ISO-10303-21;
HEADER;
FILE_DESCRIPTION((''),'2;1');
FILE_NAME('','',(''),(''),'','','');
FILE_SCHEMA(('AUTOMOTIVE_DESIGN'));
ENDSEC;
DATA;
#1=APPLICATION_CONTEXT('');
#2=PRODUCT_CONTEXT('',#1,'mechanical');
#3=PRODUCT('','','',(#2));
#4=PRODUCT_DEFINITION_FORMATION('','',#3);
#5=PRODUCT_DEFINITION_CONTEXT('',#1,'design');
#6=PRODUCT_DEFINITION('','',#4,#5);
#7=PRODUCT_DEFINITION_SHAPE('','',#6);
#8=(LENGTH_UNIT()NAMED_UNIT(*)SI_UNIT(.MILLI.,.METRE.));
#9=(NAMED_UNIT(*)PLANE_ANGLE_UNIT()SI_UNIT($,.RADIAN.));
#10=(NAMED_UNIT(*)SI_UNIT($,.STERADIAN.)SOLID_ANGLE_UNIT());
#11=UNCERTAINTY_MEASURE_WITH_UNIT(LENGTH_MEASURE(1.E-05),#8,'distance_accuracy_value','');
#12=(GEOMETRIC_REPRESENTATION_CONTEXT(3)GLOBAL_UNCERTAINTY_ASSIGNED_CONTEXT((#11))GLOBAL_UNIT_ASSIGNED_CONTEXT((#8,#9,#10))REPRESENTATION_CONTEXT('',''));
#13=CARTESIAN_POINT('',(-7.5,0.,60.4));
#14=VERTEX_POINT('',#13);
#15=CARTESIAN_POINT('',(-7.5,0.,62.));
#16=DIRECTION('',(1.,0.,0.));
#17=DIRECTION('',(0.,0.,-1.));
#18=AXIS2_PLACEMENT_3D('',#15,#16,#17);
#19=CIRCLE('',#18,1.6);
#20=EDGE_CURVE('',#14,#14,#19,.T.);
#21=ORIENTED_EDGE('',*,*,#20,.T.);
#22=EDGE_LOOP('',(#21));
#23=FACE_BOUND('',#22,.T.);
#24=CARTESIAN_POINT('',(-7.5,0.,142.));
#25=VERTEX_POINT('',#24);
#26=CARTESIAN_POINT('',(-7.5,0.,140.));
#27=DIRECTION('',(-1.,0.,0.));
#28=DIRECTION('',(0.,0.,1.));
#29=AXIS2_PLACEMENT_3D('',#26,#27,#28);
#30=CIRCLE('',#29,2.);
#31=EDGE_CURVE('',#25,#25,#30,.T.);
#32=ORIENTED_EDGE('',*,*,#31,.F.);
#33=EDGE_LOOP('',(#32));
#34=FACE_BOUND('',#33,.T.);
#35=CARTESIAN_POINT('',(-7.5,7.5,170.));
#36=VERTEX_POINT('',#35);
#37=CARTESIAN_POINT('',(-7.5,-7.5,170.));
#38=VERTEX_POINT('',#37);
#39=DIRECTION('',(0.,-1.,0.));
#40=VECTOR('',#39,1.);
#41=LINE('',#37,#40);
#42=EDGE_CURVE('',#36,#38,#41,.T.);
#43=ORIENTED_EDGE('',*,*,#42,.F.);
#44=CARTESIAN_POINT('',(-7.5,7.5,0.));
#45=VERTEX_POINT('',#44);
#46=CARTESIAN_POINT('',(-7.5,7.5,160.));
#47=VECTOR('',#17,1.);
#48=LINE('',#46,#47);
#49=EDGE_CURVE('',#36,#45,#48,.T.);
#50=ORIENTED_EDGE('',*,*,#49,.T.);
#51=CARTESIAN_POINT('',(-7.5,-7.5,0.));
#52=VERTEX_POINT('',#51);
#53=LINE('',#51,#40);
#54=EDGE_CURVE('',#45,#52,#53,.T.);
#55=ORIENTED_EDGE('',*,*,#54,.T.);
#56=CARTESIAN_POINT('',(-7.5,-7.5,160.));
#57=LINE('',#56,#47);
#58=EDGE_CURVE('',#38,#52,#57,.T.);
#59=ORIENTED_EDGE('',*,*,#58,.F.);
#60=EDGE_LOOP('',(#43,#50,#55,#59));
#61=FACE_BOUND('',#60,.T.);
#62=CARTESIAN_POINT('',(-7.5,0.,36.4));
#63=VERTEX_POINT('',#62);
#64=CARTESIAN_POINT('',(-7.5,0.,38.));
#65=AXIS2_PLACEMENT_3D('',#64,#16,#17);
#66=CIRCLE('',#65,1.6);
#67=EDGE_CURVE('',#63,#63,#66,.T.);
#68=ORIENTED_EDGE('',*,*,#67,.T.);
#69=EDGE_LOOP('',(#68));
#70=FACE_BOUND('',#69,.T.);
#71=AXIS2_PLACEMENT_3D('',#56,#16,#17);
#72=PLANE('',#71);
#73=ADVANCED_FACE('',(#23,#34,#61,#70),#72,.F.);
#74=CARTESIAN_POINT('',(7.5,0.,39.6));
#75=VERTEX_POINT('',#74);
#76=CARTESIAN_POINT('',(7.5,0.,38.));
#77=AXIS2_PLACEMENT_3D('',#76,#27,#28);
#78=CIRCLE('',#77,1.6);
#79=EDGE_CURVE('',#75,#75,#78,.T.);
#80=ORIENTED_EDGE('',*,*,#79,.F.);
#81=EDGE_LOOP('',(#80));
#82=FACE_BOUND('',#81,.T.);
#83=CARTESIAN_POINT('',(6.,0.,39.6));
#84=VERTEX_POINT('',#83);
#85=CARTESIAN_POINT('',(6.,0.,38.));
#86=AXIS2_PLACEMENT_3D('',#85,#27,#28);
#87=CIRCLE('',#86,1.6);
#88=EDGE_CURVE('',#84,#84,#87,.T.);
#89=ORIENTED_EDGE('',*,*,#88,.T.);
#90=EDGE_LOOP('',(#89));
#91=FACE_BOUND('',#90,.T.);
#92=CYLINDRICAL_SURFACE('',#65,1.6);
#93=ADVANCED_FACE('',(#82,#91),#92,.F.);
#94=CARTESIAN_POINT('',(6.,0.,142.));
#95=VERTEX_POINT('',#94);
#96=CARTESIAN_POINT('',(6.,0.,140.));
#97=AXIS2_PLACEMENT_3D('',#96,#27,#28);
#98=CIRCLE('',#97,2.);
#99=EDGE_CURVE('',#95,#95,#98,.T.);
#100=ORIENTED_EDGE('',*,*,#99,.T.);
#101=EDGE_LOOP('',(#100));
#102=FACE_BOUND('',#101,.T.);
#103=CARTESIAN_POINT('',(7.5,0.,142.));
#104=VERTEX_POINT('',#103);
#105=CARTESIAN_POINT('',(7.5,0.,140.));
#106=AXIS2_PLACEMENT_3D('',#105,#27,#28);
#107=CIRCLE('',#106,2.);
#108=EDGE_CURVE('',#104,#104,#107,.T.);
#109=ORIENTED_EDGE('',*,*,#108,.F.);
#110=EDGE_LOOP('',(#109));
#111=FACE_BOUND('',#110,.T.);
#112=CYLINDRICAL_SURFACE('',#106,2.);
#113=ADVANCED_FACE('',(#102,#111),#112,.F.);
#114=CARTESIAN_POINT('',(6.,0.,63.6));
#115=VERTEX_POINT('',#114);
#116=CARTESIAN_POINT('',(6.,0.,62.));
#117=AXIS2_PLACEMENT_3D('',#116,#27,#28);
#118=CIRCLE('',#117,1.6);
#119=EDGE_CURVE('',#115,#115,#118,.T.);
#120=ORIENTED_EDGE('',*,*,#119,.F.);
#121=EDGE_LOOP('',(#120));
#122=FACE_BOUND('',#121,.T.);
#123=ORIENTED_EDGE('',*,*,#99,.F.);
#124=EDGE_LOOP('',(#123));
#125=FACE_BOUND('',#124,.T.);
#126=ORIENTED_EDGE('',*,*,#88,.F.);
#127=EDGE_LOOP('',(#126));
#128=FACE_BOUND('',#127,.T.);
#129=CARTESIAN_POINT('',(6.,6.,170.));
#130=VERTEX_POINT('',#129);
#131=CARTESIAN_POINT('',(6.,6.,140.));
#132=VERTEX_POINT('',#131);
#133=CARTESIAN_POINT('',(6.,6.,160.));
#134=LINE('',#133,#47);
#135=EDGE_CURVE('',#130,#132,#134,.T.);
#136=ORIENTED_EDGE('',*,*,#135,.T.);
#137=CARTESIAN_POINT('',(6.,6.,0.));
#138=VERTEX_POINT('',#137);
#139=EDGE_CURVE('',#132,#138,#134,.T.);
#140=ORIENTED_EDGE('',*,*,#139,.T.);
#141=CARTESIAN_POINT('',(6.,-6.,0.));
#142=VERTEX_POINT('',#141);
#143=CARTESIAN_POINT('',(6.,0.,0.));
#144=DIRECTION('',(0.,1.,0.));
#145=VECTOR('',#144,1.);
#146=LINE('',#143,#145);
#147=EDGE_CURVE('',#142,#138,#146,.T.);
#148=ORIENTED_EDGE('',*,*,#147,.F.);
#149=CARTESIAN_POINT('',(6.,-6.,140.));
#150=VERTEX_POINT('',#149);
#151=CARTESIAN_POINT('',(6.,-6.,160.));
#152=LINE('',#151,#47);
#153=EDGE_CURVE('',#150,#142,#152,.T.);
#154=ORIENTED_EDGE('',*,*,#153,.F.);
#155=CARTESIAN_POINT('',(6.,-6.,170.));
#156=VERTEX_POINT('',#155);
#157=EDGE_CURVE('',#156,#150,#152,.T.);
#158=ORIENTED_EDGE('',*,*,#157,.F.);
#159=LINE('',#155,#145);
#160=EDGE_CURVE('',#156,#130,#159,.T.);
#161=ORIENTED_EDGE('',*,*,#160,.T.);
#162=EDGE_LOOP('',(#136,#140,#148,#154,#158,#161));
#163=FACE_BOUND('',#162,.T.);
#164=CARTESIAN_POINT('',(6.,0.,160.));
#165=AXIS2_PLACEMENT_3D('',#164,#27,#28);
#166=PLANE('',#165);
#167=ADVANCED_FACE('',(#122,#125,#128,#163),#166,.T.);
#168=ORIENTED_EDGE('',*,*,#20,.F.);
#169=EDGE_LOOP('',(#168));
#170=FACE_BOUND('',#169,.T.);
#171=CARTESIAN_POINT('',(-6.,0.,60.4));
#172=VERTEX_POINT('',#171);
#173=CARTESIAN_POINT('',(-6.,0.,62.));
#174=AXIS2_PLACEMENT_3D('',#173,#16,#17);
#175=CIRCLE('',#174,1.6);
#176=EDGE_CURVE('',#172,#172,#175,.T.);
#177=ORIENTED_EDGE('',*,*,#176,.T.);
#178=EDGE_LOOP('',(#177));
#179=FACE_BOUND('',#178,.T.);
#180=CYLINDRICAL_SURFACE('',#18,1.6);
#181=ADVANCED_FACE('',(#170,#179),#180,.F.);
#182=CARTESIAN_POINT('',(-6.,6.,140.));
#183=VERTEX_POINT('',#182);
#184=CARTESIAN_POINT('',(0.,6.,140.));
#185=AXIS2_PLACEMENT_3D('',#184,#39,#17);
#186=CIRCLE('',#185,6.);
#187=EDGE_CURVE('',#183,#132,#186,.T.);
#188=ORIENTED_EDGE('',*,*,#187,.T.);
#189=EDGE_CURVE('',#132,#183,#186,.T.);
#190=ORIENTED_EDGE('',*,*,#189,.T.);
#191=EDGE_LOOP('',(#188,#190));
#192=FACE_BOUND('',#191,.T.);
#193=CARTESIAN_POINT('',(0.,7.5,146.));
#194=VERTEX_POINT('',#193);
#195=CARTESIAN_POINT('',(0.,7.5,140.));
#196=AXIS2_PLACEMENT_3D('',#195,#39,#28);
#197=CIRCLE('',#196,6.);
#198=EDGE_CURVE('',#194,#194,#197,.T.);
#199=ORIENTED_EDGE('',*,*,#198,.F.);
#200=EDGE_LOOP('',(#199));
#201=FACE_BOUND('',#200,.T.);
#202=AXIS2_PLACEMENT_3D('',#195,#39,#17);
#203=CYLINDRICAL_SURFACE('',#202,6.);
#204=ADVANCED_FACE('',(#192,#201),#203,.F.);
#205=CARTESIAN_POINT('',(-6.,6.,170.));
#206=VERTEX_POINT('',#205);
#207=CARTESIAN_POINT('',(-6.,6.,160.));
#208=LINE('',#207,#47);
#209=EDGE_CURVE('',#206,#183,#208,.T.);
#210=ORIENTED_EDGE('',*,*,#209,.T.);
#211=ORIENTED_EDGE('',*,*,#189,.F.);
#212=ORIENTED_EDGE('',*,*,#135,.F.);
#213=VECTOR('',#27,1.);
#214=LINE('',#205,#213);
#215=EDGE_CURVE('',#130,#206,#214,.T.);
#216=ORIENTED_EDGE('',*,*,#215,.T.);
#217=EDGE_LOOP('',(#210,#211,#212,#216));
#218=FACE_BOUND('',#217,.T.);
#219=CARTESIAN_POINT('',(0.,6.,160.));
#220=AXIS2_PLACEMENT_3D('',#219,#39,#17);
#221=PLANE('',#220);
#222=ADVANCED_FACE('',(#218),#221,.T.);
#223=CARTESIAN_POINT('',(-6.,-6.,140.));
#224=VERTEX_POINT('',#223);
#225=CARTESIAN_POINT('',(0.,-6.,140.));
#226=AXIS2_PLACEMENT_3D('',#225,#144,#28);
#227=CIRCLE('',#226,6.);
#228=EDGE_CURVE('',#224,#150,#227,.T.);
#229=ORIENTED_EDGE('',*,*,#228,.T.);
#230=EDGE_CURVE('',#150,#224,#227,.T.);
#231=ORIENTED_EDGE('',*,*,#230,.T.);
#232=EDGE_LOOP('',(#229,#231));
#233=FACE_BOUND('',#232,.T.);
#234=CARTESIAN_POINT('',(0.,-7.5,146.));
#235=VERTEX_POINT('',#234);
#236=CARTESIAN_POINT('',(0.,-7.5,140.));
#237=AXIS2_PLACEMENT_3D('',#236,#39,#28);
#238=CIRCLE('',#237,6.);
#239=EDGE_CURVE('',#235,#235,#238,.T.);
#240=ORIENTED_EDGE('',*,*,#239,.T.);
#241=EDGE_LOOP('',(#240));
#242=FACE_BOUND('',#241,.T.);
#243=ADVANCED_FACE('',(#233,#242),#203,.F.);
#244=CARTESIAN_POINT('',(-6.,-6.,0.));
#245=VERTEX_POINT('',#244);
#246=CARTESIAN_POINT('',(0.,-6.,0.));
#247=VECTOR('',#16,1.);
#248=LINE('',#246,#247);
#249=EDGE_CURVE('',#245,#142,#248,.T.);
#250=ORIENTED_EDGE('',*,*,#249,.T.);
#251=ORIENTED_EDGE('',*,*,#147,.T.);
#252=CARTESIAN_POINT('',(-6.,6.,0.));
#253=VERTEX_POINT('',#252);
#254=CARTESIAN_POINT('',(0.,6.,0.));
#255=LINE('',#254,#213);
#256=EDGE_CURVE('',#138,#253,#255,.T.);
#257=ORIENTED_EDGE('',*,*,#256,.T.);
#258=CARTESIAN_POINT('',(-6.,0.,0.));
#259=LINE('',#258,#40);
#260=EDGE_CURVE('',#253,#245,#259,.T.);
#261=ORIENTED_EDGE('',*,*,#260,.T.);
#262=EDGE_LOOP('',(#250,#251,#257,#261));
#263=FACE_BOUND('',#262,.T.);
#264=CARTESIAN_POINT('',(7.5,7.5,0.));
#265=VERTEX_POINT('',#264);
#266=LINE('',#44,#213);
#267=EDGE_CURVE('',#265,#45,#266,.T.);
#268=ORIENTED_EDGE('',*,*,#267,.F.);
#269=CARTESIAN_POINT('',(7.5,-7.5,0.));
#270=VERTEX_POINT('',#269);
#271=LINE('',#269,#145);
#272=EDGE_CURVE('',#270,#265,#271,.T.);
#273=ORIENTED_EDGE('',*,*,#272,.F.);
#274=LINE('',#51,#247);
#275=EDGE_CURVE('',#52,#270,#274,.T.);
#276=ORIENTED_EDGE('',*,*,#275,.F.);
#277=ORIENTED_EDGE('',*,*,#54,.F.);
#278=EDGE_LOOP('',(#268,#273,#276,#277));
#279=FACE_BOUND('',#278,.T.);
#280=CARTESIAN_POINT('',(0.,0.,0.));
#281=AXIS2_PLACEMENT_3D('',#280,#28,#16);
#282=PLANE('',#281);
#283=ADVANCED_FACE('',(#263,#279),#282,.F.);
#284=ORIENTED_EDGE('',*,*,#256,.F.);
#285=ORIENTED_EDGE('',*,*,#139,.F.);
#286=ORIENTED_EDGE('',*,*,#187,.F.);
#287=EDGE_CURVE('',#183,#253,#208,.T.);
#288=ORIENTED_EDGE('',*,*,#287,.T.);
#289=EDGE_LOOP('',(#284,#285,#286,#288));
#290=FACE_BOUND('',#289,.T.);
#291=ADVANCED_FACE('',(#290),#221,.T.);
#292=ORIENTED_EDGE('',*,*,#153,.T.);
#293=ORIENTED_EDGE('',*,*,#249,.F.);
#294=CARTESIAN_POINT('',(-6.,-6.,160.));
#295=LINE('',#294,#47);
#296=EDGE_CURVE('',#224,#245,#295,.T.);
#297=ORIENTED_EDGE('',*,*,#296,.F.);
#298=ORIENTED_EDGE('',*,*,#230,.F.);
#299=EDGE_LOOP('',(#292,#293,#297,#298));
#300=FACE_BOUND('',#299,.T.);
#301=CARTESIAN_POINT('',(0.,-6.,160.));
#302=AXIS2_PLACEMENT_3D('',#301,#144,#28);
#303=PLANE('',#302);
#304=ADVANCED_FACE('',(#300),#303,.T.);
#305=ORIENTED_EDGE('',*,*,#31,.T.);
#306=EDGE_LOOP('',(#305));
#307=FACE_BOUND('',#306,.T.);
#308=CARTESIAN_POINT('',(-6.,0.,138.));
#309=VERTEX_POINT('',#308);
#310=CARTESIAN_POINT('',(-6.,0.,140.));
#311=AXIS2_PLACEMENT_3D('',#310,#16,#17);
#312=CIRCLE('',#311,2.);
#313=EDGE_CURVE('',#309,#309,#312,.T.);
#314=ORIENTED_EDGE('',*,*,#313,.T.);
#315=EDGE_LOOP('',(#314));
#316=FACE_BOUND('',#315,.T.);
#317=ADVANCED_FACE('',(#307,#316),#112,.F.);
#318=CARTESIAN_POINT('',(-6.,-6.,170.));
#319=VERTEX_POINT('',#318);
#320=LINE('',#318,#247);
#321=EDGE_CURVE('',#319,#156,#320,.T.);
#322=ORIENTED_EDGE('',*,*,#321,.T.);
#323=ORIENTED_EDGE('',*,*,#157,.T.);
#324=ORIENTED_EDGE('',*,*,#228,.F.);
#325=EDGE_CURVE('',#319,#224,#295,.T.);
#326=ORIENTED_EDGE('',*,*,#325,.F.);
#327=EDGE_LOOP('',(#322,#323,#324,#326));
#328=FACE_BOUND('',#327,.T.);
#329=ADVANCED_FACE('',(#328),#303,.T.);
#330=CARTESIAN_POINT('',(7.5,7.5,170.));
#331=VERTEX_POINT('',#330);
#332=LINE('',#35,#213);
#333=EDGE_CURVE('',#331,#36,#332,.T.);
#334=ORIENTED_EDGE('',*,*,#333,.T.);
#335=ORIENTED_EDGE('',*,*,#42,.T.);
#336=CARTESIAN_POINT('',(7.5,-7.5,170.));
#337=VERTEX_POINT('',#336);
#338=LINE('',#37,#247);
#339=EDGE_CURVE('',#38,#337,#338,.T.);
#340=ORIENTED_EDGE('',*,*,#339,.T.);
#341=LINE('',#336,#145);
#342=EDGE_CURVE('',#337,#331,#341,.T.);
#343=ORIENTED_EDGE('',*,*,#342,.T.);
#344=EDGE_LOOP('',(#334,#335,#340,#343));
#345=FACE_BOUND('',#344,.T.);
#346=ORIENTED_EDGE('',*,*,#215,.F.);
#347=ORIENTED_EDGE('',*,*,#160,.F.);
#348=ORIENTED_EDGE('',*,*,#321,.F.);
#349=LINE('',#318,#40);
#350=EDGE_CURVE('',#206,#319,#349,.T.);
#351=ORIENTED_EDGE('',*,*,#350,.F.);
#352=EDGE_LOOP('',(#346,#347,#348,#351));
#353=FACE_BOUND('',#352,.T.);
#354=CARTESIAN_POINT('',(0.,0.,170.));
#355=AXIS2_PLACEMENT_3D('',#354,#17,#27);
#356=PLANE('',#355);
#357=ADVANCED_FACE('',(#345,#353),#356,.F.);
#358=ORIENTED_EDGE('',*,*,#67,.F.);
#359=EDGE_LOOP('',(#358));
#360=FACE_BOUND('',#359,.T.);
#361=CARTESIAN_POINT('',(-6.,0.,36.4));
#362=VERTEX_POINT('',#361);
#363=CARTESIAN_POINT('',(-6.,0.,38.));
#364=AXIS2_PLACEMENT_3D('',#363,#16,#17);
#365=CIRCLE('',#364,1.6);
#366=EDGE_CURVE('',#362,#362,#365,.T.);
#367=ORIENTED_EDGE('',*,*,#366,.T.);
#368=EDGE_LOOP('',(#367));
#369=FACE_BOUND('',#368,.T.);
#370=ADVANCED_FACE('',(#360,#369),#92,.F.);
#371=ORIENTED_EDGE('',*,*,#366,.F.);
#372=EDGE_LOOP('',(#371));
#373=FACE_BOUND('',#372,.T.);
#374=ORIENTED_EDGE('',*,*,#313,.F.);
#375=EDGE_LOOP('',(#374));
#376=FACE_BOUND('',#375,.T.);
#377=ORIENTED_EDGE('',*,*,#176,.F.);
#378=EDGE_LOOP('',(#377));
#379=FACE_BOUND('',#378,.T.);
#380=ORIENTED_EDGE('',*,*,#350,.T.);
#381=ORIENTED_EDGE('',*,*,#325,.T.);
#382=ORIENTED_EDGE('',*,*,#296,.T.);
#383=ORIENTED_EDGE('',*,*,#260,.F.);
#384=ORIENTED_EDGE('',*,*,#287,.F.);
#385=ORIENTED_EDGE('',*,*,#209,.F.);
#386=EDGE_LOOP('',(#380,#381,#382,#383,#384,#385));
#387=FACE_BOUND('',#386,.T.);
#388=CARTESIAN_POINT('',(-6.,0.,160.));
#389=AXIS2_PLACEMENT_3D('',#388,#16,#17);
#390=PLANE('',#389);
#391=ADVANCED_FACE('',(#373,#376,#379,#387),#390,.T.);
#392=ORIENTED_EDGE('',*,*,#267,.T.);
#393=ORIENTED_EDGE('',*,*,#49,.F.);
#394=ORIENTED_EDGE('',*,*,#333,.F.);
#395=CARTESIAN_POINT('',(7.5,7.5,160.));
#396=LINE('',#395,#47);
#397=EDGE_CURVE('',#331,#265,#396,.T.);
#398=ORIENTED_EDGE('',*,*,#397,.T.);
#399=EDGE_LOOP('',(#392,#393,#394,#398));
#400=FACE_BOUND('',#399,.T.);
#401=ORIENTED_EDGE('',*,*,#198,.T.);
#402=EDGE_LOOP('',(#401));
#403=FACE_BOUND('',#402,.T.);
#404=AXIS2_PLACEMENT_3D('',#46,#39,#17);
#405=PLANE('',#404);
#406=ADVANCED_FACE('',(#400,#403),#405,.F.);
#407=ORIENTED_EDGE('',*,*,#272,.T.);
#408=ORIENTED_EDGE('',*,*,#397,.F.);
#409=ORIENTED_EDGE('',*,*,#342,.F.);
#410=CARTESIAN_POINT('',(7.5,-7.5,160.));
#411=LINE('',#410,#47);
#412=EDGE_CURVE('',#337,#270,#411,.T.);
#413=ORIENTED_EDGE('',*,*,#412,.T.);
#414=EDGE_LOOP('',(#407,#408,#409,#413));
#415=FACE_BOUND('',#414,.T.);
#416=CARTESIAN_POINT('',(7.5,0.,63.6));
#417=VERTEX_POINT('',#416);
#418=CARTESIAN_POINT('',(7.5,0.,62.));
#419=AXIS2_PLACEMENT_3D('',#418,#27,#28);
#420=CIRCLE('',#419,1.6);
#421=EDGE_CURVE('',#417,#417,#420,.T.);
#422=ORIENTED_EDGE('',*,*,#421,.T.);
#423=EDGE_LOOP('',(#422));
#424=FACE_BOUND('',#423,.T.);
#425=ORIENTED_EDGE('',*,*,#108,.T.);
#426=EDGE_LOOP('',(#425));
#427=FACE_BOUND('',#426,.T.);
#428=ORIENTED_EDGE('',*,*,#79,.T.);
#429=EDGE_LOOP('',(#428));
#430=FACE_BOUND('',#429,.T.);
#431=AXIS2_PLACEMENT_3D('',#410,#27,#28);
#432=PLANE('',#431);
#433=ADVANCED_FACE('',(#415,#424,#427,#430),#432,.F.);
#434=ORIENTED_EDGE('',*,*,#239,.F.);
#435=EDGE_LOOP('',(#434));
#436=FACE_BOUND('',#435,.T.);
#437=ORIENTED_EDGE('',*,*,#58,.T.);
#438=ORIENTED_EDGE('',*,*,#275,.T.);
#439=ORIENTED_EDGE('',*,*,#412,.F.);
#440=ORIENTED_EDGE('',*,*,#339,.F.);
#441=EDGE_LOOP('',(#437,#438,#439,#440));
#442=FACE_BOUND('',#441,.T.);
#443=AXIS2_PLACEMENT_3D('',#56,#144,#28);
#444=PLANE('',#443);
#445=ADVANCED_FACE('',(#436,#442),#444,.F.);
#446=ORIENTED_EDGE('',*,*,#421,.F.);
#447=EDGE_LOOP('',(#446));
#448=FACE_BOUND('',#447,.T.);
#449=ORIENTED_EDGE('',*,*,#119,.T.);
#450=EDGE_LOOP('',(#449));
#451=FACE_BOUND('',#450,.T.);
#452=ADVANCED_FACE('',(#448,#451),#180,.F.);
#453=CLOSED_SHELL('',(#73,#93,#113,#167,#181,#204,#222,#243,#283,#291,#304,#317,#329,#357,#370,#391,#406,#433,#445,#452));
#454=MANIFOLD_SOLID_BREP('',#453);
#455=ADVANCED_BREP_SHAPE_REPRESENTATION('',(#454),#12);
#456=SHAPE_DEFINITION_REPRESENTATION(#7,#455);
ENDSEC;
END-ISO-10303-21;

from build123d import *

# Parameters (mm, degrees)
SKETCH_1_W               = 15
SKETCH_1_H               = 15
SKETCH_1_W_2             = 12
SKETCH_1_H_2             = 12
EXTRUDE_1_DEPTH          = 160
SKETCH_3_R               = 6
CUT_EXTRUDE_3_DEPTH      = 161.876505432
SKETCH_7_R               = 2
CUT_EXTRUDE_4_DEPTH      = 161.876505432
CUT_EXTRUDE_5_DEPTH      = 161.876505432
CUT_EXTRUDE_5_DEPTH_BACK = 161.876505432
SKETCH_12_R              = 1.6
SKETCH_13_W              = 15
SKETCH_13_H              = 15
SKETCH_13_W_2            = 12
SKETCH_13_H_2            = 12
EXTRUDE_1_2_DEPTH        = 10


with BuildPart() as part:
    # ｽｹｯﾁ1 → Extrude 1 (new body)
    with BuildSketch(Plane.XY):
        Rectangle(SKETCH_1_W, SKETCH_1_H)
        Rectangle(SKETCH_1_W_2, SKETCH_1_H_2, mode=Mode.SUBTRACT)
    extrude(amount=EXTRUDE_1_DEPTH)

    # ｽｹｯﾁ3 → ｶｯﾄ - 押し出し3 (cut, through all)
    with BuildSketch(Plane.XZ.offset(7.5)):
        with Locations(Location((0, 140, 0), (0, 0, 180))):
            Circle(SKETCH_3_R)
    extrude(amount=-CUT_EXTRUDE_3_DEPTH, mode=Mode.SUBTRACT)

    # ｽｹｯﾁ7 → ｶｯﾄ - 押し出し4 (cut, through all)
    with BuildSketch(Plane.ZY.offset(7.5)):
        with Locations((140, 0)):
            Circle(SKETCH_7_R)
    extrude(amount=-CUT_EXTRUDE_4_DEPTH, mode=Mode.SUBTRACT)

    # ｽｹｯﾁ12 → ｶｯﾄ - 押し出し5 (cut, two sides: drawn at the far end of the back side and taken through both)
    with BuildSketch(Plane(origin=(7.5, 0, 0), x_dir=(0, 0, -1), z_dir=(1, 0, 0)).offset(-CUT_EXTRUDE_5_DEPTH_BACK)):
        with Locations((-38, 0)):
            Circle(SKETCH_12_R)
        with Locations((-62, 0)):
            Circle(SKETCH_12_R)
    extrude(amount=CUT_EXTRUDE_5_DEPTH + CUT_EXTRUDE_5_DEPTH_BACK, mode=Mode.SUBTRACT)

    # ｽｹｯﾁ13 → Extrude 1 2 (add)
    with BuildSketch(Plane.XY.offset(160)):
        Rectangle(SKETCH_13_W, SKETCH_13_H)
        Rectangle(SKETCH_13_W_2, SKETCH_13_H_2, mode=Mode.SUBTRACT)
    extrude(amount=EXTRUDE_1_2_DEPTH)


solid = part.part
